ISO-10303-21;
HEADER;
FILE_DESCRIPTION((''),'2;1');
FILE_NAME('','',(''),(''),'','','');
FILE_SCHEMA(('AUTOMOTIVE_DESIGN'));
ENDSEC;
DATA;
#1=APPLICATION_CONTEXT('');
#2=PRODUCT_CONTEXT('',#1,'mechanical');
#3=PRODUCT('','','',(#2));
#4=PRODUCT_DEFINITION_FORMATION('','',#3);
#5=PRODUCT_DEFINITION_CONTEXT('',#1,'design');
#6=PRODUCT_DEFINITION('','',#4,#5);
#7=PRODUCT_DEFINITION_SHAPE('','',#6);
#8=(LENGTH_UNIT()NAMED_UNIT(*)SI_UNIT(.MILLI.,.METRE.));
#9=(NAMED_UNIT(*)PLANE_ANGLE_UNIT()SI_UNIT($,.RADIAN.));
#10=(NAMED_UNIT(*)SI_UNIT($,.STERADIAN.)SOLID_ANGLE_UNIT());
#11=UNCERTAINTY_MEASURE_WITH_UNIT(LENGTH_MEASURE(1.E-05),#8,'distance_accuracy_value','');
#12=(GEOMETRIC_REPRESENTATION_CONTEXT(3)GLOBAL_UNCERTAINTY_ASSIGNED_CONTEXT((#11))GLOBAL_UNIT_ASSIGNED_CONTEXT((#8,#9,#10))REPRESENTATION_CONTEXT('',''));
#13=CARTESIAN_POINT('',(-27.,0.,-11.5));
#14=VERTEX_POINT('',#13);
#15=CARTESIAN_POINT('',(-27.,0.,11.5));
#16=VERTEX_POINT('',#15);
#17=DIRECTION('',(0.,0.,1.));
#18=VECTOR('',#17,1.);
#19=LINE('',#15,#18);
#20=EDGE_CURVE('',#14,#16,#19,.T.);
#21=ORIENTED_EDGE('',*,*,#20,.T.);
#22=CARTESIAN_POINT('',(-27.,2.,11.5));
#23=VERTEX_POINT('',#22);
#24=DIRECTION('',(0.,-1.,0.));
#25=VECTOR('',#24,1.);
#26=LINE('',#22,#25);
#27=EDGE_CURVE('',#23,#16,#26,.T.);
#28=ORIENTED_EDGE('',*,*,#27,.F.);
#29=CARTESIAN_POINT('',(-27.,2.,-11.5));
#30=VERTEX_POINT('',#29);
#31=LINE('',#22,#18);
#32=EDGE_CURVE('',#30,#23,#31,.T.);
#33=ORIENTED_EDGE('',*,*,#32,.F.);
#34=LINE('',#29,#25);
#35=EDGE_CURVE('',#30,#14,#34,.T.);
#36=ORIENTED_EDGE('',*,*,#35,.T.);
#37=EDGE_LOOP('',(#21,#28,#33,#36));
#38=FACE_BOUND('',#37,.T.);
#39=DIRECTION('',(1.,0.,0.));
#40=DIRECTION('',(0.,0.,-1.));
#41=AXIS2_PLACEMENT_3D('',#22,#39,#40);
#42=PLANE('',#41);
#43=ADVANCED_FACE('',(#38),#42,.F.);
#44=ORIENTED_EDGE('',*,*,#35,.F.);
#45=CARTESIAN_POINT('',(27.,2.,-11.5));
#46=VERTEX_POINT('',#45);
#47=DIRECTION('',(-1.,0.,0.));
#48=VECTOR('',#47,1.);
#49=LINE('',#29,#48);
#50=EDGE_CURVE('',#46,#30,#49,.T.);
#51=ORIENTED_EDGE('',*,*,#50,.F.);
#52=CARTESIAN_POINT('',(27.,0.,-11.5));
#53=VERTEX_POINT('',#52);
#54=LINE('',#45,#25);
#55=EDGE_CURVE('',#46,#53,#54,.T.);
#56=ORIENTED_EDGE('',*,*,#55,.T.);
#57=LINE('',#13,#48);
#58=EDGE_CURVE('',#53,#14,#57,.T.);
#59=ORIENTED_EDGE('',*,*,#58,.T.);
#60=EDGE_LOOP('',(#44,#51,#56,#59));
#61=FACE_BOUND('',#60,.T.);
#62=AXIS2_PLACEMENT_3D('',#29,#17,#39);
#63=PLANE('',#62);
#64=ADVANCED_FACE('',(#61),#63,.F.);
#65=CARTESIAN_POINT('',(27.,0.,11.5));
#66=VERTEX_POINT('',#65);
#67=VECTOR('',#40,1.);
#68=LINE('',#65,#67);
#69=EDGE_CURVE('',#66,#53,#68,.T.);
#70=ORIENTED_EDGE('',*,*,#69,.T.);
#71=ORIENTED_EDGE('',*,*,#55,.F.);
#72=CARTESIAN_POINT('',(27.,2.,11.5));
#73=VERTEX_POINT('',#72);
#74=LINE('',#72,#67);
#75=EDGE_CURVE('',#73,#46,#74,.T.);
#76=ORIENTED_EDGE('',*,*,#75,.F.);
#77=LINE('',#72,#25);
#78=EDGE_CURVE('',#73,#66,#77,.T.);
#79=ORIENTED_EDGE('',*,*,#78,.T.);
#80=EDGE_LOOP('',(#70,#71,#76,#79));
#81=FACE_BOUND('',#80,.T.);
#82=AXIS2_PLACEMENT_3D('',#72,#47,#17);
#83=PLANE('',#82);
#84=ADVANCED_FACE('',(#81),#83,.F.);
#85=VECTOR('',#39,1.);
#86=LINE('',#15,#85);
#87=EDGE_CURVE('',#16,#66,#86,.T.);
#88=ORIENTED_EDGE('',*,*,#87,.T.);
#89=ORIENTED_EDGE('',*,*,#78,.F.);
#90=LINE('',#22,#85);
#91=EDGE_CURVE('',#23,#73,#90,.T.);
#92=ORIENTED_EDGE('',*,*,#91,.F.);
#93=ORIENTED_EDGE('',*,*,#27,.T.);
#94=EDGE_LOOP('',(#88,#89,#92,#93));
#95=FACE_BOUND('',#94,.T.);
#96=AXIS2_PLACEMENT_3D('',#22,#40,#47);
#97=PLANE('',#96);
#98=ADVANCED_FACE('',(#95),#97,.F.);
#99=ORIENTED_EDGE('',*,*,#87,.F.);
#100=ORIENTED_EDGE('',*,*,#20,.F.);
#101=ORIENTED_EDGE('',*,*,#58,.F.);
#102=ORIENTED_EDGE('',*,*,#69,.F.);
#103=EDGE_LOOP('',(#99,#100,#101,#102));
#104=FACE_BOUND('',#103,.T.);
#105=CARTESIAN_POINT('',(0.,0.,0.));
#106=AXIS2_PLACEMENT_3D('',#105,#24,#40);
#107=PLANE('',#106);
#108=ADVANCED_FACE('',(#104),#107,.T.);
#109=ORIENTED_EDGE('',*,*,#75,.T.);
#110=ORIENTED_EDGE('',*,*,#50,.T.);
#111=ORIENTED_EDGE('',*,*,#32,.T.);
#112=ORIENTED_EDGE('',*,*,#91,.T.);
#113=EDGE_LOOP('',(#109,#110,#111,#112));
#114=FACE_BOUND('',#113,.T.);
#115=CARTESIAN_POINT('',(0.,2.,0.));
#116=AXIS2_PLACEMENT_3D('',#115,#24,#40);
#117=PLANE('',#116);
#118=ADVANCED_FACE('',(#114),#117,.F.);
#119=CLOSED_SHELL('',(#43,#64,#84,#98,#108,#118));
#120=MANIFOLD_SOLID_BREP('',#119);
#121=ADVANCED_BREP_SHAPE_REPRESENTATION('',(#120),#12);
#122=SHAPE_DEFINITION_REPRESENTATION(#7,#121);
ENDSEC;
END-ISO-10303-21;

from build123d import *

# Parameters (mm, degrees)
SKETCH_1_W      = 54
SKETCH_1_H      = 23
EXTRUDE_1_DEPTH = 2


with BuildPart() as part:
    # 草图1 → 凸台-拉伸1 (new body)
    with BuildSketch(Plane(origin=(0, 0, 0), x_dir=(1, 0, 0), z_dir=(0, 1, 0))):
        Rectangle(SKETCH_1_W, SKETCH_1_H)
    extrude(amount=EXTRUDE_1_DEPTH)


solid = part.part
